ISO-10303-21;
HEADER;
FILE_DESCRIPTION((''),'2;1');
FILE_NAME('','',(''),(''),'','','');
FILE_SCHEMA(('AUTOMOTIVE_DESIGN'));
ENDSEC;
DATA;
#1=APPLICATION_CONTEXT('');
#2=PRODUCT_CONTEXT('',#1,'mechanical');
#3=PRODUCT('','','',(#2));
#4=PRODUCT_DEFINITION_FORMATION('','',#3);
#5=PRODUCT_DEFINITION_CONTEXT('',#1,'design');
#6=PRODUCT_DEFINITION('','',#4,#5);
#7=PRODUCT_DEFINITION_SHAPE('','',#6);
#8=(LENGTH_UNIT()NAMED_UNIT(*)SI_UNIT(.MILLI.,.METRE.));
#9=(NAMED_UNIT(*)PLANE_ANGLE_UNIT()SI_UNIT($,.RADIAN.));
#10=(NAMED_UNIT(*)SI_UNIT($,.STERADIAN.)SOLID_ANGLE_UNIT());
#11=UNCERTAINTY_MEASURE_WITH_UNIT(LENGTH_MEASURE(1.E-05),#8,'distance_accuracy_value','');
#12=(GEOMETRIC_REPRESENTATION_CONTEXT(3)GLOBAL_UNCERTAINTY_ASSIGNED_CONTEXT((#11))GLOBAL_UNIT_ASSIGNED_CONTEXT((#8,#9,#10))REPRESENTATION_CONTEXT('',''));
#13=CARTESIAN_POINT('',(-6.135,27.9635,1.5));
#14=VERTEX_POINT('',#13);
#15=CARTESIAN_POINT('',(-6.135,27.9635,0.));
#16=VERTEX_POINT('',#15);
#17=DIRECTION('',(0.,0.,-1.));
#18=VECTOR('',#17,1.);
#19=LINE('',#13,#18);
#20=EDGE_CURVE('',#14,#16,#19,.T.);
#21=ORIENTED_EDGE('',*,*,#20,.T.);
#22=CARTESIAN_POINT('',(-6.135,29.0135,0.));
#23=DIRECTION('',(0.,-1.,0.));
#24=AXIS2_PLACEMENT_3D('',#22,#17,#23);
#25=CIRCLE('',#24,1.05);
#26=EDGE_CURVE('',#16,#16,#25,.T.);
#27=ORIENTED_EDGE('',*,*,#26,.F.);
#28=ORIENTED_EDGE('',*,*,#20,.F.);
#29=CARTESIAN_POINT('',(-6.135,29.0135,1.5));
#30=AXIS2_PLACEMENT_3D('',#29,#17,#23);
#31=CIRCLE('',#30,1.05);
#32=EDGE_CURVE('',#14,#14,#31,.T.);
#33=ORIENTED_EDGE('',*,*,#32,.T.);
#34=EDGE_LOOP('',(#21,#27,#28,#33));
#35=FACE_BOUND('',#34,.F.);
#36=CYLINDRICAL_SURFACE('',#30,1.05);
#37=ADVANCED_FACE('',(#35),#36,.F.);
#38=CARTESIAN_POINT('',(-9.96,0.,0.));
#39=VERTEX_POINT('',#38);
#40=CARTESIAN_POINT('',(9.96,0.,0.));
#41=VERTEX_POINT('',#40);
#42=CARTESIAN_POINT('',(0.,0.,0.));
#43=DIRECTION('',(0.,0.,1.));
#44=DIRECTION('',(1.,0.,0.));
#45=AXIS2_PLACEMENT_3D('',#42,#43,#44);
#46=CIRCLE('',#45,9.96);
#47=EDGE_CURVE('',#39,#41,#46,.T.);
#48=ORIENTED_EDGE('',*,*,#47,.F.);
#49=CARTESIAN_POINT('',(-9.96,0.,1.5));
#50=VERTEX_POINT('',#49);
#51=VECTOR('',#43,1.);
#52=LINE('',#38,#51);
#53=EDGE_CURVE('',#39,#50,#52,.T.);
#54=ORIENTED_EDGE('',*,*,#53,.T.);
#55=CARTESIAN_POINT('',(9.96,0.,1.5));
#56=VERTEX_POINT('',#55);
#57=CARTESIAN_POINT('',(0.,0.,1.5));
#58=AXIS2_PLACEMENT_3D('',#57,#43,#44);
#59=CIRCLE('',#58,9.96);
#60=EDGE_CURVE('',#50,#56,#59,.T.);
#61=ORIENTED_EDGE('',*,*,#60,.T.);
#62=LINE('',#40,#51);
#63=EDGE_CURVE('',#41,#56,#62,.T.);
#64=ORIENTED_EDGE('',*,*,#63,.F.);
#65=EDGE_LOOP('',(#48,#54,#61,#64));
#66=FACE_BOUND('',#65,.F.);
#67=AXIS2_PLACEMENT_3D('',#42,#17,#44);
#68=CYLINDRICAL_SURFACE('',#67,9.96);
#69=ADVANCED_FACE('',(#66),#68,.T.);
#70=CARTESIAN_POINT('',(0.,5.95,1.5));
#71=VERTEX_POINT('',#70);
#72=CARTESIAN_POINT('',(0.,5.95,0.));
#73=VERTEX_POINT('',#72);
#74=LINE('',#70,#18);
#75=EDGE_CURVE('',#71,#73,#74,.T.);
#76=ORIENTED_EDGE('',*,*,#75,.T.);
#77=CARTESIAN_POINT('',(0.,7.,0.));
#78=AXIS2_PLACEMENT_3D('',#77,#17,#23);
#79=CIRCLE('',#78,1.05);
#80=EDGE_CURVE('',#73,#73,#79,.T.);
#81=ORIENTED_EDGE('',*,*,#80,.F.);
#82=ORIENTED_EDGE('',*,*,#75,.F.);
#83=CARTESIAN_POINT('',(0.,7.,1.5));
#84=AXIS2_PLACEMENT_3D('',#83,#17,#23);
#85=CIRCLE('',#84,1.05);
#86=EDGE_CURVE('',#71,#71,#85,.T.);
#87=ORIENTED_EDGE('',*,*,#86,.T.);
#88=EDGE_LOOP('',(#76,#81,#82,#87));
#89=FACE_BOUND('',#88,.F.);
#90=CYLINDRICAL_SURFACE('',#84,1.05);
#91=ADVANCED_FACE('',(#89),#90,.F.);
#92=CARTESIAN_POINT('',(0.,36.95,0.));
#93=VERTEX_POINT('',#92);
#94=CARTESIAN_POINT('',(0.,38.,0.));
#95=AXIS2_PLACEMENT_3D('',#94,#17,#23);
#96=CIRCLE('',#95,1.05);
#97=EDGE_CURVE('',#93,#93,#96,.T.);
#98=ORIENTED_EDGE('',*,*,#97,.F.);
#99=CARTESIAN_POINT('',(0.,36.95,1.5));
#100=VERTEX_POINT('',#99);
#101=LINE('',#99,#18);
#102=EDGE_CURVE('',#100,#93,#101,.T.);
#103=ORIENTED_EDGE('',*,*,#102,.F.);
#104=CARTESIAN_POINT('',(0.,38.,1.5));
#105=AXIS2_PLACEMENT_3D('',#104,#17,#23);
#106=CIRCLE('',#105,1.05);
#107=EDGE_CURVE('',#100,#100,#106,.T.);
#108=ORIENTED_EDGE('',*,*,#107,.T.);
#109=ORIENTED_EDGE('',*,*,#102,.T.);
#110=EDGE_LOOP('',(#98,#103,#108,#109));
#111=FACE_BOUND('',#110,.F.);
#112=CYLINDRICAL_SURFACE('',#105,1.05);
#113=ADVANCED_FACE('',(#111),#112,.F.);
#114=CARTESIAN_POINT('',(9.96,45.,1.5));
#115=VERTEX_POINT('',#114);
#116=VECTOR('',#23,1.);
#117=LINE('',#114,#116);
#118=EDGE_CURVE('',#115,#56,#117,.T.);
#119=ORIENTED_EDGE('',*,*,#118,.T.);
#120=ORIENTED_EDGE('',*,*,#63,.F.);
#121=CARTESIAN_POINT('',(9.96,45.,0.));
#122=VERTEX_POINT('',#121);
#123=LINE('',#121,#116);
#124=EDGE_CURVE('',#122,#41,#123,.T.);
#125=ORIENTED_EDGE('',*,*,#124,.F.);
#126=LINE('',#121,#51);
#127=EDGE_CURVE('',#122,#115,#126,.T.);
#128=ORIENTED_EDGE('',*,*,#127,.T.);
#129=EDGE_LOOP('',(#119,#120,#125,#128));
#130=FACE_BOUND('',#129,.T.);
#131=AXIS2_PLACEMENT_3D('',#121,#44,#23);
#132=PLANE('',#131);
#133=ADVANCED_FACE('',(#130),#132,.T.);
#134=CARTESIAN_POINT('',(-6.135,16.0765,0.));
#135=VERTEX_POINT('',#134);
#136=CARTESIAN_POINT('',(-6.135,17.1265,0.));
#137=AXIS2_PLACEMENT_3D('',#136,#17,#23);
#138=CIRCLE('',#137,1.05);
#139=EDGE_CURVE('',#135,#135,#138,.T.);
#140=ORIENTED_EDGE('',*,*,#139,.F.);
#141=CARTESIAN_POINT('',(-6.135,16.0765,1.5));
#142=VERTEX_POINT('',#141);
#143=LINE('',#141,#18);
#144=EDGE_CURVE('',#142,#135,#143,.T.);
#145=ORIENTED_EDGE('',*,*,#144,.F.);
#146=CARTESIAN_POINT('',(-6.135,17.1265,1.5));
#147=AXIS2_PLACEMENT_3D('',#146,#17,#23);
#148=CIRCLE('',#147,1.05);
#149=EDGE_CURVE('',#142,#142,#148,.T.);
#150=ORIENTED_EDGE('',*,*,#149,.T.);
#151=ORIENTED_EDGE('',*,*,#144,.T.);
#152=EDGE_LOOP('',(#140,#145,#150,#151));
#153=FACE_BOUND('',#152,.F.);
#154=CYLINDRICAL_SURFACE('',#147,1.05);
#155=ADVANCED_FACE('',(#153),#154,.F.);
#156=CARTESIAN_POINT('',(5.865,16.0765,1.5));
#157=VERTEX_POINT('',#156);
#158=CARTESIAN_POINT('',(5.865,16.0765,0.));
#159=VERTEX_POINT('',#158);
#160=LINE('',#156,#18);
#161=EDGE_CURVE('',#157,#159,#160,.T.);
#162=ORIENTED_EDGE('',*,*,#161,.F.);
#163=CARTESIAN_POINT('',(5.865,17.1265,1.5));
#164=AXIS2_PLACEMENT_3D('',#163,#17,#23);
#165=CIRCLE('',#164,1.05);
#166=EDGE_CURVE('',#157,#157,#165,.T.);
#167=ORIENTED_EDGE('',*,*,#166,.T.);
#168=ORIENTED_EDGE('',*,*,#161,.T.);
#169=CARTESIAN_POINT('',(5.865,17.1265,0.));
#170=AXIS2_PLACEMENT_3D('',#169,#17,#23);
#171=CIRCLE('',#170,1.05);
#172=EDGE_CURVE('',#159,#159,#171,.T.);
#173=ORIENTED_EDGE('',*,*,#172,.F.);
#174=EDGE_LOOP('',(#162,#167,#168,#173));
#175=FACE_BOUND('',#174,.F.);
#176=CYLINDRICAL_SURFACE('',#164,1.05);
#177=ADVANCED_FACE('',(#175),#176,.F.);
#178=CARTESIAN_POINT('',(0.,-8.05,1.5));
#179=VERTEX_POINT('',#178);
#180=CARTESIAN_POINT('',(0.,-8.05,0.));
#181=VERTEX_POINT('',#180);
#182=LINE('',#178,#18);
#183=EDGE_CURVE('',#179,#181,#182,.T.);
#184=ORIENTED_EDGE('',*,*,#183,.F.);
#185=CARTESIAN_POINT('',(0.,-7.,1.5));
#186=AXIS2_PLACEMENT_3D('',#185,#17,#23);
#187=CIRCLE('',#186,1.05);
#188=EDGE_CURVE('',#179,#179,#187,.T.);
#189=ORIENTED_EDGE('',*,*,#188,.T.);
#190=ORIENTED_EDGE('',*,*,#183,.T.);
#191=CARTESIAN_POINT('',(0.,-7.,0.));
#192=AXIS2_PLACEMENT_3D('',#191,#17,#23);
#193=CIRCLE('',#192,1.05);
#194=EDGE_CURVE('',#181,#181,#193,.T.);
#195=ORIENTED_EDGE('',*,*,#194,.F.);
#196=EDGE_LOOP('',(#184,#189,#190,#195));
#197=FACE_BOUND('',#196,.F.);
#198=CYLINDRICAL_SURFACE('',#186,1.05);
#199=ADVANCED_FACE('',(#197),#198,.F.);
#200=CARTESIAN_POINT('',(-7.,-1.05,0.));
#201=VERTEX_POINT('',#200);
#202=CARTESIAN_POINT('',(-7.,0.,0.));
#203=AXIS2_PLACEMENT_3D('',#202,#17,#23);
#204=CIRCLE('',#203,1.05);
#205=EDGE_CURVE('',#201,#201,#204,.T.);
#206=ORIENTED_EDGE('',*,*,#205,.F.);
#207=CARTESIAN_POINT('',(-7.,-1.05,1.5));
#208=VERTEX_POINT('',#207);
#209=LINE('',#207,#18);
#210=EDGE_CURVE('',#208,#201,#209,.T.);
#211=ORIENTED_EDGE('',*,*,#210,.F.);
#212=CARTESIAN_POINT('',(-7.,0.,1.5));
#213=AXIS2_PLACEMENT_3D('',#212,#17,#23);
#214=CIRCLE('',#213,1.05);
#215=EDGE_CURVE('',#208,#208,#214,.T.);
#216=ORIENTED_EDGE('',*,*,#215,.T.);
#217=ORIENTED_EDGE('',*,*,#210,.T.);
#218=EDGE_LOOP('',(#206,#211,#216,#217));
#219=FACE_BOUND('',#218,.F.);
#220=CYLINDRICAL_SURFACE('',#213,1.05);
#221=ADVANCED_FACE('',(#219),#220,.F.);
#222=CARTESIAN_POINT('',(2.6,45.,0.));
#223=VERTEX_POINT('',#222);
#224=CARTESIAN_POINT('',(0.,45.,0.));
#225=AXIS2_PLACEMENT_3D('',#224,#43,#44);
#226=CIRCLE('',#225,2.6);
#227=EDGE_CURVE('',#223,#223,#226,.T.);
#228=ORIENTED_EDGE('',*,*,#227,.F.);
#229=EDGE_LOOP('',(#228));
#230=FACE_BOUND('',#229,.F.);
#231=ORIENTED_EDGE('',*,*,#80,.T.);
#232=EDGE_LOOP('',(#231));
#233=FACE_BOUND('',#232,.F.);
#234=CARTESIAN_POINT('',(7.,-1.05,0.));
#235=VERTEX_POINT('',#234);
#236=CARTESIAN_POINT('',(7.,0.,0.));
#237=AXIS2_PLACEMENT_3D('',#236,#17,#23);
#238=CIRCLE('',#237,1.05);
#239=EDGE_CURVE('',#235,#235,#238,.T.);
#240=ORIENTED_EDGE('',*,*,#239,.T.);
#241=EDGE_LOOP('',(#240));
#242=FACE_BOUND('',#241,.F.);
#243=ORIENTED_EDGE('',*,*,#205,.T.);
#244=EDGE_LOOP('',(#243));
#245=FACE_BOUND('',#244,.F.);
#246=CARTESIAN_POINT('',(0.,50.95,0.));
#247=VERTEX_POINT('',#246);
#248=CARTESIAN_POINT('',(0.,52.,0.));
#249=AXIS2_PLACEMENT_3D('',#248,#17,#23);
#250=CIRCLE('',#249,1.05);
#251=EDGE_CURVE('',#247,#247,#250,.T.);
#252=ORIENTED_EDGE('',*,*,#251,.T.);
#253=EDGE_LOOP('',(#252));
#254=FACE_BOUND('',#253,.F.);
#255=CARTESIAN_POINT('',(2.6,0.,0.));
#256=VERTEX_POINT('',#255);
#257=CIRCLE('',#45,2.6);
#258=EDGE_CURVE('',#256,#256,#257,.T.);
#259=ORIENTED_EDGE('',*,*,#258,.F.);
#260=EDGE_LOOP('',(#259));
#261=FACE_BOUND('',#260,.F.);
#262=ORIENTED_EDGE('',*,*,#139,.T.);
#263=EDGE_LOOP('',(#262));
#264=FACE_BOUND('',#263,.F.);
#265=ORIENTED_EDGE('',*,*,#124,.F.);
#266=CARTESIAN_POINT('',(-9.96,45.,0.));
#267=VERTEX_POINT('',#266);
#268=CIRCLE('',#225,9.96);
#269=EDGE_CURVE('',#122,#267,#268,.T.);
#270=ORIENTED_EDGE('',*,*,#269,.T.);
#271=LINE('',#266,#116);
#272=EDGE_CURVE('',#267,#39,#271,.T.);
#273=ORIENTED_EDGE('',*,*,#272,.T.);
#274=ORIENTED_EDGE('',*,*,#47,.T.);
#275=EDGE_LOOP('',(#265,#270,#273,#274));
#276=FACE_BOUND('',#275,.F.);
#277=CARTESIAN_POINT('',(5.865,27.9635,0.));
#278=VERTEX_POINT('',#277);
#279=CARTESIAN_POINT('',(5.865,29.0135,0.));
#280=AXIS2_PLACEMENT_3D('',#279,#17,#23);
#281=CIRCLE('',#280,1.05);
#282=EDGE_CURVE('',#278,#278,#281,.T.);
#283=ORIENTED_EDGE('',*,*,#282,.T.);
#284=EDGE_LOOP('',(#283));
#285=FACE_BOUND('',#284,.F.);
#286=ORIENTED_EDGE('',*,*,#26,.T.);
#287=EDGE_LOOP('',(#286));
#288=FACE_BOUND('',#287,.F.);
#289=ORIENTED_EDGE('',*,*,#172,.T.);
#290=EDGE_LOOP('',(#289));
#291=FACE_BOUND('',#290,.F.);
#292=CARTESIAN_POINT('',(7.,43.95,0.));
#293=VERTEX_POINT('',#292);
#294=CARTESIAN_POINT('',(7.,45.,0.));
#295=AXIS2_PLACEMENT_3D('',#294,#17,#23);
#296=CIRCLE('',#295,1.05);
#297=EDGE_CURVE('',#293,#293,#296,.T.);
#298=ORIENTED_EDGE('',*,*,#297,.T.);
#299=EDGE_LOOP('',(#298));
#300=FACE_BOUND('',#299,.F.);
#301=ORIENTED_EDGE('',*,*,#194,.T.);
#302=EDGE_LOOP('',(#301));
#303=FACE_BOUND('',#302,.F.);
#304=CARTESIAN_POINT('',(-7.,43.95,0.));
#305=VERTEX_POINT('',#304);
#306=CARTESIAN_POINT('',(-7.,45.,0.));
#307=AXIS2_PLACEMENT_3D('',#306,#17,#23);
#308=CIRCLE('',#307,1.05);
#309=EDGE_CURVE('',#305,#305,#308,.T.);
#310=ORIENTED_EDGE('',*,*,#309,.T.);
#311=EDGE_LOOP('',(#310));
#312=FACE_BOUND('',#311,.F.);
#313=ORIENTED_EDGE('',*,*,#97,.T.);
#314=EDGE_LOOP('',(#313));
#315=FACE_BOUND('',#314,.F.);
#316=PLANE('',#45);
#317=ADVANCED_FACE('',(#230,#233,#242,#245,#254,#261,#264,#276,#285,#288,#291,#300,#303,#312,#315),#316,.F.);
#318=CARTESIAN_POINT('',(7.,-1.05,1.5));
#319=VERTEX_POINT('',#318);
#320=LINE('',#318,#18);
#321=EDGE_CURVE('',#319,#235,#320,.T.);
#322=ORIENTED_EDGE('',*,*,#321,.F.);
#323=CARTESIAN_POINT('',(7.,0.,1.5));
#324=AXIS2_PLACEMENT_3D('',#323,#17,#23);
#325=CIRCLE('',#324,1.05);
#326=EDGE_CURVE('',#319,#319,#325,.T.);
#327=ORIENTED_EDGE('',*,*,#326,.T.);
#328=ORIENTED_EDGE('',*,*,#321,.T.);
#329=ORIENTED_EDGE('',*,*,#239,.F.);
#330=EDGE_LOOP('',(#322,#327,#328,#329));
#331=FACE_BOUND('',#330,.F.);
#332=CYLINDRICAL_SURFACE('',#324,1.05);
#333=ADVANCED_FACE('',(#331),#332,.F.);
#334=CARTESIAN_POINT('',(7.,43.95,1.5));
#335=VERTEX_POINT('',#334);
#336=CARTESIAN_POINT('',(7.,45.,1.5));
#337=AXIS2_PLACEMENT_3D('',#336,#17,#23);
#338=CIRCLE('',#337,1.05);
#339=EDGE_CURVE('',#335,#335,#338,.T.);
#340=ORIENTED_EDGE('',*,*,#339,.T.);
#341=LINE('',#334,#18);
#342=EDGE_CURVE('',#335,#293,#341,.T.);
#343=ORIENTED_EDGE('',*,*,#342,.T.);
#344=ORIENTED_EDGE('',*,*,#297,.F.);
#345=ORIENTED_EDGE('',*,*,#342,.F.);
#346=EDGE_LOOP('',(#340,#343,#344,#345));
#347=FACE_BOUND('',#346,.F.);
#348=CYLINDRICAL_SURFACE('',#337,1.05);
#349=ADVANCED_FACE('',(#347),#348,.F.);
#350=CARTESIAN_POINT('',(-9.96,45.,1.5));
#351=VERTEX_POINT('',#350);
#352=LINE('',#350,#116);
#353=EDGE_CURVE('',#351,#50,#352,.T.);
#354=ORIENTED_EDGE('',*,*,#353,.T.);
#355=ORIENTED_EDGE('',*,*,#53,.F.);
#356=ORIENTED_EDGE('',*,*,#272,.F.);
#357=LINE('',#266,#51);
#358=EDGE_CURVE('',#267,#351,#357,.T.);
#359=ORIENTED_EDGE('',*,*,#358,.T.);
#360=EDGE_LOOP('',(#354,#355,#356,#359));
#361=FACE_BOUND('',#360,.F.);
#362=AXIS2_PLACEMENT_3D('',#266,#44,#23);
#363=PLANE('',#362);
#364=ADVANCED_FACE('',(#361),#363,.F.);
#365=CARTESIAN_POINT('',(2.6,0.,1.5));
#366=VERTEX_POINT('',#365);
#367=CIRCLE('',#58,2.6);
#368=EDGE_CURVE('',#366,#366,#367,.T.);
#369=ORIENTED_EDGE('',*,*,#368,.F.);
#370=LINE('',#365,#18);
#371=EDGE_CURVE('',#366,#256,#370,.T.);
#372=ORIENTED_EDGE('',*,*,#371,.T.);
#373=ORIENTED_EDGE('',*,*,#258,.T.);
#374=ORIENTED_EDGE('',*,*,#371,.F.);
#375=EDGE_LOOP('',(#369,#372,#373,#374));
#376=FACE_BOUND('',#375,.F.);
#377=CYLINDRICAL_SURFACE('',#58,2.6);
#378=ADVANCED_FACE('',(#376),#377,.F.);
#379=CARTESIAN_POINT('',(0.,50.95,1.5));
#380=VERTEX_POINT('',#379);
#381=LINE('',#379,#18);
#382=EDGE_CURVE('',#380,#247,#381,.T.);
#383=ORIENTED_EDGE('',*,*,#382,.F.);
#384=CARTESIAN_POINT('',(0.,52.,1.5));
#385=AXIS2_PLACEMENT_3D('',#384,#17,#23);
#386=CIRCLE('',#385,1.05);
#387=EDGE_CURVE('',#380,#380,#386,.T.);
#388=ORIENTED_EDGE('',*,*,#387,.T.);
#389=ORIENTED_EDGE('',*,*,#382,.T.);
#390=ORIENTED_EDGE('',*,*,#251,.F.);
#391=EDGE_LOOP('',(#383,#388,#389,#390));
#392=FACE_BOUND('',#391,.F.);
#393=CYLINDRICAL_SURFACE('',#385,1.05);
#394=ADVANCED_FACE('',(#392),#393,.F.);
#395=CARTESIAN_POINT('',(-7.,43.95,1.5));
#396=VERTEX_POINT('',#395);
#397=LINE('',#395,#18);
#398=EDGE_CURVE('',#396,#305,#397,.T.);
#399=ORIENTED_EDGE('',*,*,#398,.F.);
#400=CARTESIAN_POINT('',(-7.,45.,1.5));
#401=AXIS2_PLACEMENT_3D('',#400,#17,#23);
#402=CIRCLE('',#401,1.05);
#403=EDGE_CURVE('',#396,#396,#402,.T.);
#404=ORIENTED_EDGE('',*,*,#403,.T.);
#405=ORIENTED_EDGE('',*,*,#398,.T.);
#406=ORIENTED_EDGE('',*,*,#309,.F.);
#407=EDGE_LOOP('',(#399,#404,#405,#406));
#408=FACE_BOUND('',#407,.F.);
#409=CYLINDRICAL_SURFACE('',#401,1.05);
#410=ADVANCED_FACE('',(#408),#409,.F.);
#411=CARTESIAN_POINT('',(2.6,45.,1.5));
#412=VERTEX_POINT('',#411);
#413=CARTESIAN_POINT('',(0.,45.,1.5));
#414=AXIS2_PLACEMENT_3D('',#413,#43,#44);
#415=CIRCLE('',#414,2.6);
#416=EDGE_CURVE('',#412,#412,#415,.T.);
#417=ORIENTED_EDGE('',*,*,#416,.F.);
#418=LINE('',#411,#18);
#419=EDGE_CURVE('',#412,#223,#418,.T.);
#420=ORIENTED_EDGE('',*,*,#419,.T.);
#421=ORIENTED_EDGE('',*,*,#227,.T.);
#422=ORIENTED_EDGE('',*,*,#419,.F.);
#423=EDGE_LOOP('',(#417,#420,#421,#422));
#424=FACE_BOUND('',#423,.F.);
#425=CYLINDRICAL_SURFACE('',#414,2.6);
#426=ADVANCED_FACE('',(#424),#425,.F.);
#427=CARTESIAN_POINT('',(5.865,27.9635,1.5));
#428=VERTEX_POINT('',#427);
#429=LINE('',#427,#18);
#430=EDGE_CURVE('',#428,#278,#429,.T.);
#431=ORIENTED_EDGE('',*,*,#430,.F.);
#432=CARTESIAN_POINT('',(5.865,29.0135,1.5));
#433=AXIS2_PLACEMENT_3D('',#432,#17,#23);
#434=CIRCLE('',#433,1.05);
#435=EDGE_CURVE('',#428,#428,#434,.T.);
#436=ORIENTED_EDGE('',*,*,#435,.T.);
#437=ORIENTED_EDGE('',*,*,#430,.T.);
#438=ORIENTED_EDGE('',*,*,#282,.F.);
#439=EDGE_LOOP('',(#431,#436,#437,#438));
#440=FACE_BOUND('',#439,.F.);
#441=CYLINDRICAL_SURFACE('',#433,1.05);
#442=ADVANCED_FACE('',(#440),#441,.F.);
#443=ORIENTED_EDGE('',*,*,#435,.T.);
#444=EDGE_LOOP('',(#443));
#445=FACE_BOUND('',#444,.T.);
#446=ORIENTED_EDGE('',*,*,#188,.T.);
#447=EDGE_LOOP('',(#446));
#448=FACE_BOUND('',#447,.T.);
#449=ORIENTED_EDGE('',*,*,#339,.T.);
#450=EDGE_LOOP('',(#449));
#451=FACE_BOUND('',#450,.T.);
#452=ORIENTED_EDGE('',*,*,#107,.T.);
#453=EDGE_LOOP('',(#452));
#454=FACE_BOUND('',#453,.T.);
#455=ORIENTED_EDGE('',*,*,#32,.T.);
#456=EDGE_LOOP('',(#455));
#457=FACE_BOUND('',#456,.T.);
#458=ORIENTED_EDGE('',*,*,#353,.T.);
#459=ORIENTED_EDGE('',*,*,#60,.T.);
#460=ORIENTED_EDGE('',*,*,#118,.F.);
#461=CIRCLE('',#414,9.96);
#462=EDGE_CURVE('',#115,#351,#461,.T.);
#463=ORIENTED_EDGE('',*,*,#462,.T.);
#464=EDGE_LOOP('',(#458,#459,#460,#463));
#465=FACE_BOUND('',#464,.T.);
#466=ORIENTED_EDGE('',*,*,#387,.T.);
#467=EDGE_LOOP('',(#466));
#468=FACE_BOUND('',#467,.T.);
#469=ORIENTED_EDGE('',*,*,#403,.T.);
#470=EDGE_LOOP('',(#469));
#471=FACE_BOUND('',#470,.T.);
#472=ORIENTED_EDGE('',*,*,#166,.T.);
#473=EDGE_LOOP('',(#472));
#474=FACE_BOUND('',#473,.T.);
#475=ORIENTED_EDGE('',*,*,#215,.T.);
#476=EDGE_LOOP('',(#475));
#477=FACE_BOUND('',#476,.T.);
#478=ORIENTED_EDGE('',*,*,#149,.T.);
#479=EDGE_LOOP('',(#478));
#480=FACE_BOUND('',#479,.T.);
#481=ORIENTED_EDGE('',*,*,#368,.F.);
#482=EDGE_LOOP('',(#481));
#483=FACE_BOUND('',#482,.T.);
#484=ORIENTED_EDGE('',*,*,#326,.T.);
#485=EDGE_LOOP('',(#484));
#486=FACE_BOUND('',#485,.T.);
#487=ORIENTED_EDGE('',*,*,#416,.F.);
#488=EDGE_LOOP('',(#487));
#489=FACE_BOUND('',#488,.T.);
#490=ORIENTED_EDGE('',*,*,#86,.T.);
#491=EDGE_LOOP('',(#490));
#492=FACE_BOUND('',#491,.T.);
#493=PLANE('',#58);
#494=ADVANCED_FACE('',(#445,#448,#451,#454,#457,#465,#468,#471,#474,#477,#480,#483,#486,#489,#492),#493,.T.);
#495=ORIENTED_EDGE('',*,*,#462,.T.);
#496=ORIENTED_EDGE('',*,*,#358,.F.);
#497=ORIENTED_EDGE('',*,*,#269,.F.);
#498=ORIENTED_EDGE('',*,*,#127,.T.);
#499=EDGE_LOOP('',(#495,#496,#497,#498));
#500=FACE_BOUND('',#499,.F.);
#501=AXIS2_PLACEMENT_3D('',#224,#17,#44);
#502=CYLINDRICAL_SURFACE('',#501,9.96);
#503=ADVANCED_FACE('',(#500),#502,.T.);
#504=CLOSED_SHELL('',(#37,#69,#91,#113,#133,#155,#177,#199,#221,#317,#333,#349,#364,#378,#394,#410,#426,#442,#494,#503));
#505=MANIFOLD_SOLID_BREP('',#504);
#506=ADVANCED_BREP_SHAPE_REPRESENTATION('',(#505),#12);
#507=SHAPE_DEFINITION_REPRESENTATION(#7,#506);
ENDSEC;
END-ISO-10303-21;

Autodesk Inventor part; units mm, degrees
ref_plane "YZ Plane" through (0, 0, 0) normal (1, 0, 0) x (0, 1, 0)
ref_plane "XZ Plane" through (0, 0, 0) normal (0, 1, 0) x (-1, 0, 0)
ref_plane "XY Plane" through (0, 0, 0) normal (0, 0, 1) x (1, 0, 0)
sketch "Sketch1" plane through (0, 0, 0) normal (0, 0, 1) x (1, 0, 0)
  circle A0 centre (0, 0) radius 9.96
  circle A1 centre (0, 45) radius 9.96
  line L0 (-9.96, 45) -> (-9.96, 0)
  line L1 (9.96, 45) -> (9.96, 0)
  dimension "d0" = 19.92
  dimension "d1" = 45
extrude "Plate1" add sketch "Sketch1" along normal blind 1.5
sketch "Sketch2" plane through (0, 0, 1.5) normal (0, 0, 1) x (1, 0, 0)
  circle A0 centre (-7, 0) radius 0.7835 projected
  circle A1 centre (7, 0) radius 0.7835 projected
  circle A2 centre (0, 7) radius 0.7835 projected
  circle A3 centre (0, -7) radius 0.7835 projected
  line L0 (-9.96, 0) -> (-9.96, 45) construction
  line L1 (9.96, 45) -> (9.96, 0) construction
  line L2 (-9.96, 22.5) -> (9.96, 22.5) construction
  point P0 (0, 0)
  point P1 (-7, 45)
  point P2 (7, 45)
  point P3 (0, 38)
  point P4 (0, 52)
hole "Hole1" at (0, 52, 1.5) at (-7, 45, 1.5) at (0, 38, 1.5) at (7, 45, 1.5) at (0, 7, 1.5) at (-7, 0, 1.5) at (0, -7, 1.5) at (7, 0, 1.5) direction (0, 0, -1) diameter 2.1 end through all
sketch "Sketch3" plane through (0, 0, 1.5) normal (0, 0, 1) x (1, 0, 0)
  circle A0 centre (0, 0) radius 1.75 projected
  circle A1 centre (0, 0) radius 2.6
  line L0 (-9.96, 0) -> (-9.96, 45) construction
  line L1 (9.96, 45) -> (9.96, 0) construction
  line L2 (-9.96, 22.5) -> (9.96, 22.5) construction
  circle A2 centre (0, 45) radius 2.6
  point P0 (0, 0)
  dimension "d10" = 5.2
extrude "Extrusion1" cut sketch "Sketch3" against normal through all contours A0 | A1 | A2
sketch "Sketch4" plane through (0, 0, 1.5) normal (0, 0, 1) x (1, 0, 0)
  circle A0 centre (5.865, 29.0135) radius 0.7835 projected
  circle A1 centre (-6.135, 29.0135) radius 0.7835 projected
  circle A2 centre (5.865, 17.1265) radius 0.7835 projected
  circle A3 centre (-6.135, 17.1265) radius 0.7835 projected
  point P0 (0, 0)
hole "Hole2" at (-6.135, 29.0135, 1.5) at (5.865, 29.0135, 1.5) at (-6.135, 17.1265, 1.5) at (5.865, 17.1265, 1.5) direction (0, 0, -1) diameter 2.1 end through all
equation "\"d8\" = Thickness"
equation "\"d18\" = Thickness"
equation "\"d2\" = Thickness"
equation "\"BendReliefWidth\" = Thickness"
equation "\"BendReliefDepth\" = 0.5 * Thickness"
equation "\"CornerReliefSize\" = 4 * Thickness"
equation "\"MinimumRemnant\" = 2 * Thickness"
equation "\"TransitionRadius\" = BendRadius"
equation "\"JacobiRadiusSize\" = BendRadius"
equation "\"GapSize\" = Thickness"
equation "\"Thickness\" = 1.5"
equation "\"BendRadius\" = 0.31"
properties part number "axis_3_bottom_frame(top)" material "Aluminum 6061-AHC"
